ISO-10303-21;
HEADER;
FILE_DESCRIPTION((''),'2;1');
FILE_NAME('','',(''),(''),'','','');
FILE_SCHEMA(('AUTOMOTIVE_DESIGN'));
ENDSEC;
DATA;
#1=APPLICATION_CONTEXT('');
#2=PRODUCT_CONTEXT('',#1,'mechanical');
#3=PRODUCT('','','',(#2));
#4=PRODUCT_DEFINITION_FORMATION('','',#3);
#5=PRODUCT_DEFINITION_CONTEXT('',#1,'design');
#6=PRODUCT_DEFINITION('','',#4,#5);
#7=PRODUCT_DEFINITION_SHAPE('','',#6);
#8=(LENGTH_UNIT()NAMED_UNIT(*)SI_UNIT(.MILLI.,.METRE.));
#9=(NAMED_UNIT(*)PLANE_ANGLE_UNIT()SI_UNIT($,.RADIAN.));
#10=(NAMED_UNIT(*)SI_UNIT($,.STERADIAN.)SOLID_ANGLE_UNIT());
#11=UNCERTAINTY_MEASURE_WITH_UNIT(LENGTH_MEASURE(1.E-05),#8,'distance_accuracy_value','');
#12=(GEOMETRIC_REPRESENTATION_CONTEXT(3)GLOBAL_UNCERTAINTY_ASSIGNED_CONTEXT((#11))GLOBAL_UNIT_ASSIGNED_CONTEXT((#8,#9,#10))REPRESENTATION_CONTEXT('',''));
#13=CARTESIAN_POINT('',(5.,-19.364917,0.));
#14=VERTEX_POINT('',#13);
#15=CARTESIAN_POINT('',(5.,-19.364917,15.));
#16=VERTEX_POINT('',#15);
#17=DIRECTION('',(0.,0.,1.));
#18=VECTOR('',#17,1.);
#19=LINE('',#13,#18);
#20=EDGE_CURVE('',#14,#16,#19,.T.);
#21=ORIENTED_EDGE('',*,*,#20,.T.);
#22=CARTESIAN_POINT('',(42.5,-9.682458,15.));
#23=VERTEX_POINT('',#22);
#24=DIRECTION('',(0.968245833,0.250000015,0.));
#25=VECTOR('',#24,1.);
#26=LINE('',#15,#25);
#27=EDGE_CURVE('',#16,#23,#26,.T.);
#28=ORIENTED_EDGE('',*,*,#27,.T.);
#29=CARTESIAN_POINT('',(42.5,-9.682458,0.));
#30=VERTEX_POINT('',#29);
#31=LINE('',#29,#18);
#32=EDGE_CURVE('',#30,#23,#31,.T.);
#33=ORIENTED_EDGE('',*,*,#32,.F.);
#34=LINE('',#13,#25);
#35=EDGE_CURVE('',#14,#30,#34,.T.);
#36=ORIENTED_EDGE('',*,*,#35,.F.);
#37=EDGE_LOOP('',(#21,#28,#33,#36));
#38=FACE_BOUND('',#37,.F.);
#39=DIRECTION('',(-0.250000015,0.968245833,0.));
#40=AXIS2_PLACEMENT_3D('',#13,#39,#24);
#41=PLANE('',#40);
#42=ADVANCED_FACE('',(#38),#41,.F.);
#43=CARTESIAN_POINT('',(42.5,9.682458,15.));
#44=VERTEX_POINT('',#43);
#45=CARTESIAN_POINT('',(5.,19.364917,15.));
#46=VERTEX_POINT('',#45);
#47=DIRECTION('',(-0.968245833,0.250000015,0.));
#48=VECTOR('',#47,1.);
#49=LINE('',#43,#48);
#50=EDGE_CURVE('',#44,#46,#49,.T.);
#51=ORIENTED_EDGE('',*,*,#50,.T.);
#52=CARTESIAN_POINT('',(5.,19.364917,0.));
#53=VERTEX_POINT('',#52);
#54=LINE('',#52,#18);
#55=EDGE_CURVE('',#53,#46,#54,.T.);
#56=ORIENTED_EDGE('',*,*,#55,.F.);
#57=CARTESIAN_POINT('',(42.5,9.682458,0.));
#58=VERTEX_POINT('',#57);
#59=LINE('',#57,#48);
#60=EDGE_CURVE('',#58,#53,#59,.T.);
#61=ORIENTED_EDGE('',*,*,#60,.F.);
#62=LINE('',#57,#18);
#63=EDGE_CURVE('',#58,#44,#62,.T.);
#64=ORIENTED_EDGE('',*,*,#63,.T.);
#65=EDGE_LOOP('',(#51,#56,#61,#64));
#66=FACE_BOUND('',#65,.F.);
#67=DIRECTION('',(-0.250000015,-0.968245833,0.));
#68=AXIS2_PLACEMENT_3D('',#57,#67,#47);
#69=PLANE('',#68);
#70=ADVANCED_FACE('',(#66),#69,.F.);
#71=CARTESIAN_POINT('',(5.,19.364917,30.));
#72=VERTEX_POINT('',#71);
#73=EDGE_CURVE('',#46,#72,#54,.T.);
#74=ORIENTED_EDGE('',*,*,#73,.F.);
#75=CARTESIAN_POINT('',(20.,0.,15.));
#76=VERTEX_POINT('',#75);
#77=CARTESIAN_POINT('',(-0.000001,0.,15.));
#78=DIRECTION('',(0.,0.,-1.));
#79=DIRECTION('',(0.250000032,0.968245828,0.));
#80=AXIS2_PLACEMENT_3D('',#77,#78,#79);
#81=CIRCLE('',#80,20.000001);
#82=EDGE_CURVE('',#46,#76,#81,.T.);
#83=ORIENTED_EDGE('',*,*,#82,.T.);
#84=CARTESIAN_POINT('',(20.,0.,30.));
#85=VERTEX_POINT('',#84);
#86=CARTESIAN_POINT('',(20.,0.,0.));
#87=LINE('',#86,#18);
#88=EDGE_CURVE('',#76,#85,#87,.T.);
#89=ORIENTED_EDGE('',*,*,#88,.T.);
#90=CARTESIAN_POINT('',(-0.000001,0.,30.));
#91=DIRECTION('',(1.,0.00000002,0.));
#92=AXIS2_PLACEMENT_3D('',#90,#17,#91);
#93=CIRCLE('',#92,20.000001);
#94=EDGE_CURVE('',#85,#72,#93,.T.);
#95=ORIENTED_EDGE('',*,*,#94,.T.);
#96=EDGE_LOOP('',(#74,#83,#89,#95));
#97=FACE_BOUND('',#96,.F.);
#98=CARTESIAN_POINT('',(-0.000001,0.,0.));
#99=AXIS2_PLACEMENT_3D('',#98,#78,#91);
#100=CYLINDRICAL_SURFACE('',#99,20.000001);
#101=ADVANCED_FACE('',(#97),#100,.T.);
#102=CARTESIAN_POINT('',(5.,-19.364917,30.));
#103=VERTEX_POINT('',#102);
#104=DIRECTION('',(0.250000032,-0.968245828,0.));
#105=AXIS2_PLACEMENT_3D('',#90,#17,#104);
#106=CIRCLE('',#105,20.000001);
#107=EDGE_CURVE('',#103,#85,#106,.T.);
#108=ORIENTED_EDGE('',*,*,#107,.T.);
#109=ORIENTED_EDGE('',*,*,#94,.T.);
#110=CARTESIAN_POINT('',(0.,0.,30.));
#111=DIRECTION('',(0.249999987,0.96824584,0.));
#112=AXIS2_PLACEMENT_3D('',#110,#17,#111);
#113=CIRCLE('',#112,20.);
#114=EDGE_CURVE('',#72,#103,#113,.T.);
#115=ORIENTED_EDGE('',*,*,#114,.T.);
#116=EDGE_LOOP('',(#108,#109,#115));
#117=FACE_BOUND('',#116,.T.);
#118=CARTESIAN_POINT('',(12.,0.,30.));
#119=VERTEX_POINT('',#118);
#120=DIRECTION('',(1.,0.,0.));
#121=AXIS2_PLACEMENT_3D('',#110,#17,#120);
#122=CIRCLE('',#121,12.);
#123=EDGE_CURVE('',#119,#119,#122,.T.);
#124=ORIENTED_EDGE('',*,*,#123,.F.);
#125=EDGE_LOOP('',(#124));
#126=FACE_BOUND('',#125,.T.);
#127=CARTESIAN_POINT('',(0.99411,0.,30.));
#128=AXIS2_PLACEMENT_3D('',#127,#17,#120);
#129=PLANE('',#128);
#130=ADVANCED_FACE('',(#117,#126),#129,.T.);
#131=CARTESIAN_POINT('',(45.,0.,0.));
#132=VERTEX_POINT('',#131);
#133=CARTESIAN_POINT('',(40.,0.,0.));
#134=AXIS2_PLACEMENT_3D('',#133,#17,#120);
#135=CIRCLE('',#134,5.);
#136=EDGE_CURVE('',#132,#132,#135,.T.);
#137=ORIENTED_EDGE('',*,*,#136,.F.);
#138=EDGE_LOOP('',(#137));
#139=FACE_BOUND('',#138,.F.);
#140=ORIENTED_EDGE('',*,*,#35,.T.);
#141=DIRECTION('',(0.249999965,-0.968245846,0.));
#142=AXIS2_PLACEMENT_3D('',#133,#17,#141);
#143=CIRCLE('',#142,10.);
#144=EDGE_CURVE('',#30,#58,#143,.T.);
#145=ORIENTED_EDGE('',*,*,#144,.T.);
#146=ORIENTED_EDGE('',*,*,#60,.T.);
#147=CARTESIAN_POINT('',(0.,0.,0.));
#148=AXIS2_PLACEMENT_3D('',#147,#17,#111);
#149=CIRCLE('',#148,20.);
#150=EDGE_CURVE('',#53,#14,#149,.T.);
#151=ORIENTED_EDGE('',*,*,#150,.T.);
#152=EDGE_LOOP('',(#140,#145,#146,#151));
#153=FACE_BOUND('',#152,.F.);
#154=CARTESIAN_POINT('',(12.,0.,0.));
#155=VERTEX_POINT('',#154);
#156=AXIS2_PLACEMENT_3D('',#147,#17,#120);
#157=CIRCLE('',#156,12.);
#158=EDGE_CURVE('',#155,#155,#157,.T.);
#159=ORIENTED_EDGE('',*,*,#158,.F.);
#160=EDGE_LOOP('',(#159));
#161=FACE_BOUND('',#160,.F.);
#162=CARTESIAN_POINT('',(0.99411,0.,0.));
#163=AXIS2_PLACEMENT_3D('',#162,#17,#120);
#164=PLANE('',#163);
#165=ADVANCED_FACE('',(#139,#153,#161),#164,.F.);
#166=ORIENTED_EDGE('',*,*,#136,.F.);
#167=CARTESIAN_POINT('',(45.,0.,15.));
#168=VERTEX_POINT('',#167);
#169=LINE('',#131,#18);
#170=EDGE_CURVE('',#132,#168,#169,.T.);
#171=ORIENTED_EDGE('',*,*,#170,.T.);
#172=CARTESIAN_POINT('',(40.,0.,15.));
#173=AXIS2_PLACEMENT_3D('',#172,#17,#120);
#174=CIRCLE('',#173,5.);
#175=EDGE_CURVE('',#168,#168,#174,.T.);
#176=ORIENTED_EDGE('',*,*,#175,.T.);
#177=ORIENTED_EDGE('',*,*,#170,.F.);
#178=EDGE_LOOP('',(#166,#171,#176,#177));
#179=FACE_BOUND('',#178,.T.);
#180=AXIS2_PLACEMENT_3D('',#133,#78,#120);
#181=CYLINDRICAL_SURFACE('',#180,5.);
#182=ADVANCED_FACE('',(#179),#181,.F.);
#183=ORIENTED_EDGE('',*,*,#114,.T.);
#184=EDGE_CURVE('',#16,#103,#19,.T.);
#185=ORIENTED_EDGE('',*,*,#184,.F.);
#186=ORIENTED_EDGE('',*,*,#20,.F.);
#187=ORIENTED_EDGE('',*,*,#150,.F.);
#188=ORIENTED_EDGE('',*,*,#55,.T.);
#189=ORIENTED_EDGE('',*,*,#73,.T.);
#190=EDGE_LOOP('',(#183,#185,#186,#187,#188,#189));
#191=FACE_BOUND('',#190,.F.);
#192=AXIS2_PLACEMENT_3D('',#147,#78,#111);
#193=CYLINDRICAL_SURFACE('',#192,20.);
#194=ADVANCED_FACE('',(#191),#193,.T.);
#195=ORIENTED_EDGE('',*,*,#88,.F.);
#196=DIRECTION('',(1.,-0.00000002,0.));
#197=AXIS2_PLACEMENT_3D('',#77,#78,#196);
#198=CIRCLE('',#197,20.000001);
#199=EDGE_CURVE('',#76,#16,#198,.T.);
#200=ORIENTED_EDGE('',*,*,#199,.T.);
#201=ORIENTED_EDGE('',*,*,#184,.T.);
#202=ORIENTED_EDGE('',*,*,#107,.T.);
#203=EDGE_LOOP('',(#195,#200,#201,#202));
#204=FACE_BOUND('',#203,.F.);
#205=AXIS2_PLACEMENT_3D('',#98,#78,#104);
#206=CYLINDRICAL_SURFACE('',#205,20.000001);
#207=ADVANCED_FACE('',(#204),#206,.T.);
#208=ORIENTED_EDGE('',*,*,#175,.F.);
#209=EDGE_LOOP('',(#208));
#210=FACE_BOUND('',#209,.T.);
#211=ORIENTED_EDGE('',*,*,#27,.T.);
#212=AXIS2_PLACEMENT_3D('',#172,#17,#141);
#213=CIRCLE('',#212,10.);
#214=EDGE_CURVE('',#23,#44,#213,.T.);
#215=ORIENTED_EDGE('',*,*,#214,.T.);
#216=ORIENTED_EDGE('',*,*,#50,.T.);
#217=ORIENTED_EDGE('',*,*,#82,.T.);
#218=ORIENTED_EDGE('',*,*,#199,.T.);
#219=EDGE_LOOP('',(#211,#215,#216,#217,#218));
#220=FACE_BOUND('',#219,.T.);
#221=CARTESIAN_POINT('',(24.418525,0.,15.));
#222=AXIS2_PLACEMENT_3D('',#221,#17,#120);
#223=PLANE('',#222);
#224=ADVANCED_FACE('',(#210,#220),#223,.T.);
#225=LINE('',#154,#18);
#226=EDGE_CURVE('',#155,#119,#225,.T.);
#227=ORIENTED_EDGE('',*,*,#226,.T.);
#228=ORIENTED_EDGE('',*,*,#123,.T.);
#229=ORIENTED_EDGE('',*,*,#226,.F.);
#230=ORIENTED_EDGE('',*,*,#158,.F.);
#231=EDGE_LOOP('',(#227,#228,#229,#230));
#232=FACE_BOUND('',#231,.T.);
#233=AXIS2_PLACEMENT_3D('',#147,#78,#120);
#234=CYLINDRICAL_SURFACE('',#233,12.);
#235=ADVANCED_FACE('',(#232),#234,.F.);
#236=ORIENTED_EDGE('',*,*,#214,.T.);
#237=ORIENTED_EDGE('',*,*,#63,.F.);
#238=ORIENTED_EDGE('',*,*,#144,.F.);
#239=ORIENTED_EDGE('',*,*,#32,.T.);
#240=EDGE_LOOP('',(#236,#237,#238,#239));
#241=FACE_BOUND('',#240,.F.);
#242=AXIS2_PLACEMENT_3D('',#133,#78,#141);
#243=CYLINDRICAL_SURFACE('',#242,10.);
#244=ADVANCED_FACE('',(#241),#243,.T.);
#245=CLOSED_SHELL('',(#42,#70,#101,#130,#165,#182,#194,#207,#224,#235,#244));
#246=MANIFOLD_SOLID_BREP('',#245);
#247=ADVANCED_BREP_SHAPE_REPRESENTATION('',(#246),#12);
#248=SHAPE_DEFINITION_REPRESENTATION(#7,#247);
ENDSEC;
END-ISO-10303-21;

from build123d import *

# Parameters (mm, degrees)
F0_R     = 5
F1_DEPTH = 15
F0_R_2   = 12
F2_DEPTH = 30


with BuildPart() as f1:
    # F0 (on Top) → F1 (new body)
    with BuildSketch(Plane.XY):
        with BuildLine():
            ThreePointArc((5, 19.364917), (15.811388, 12.247449), (20, 0))
            ThreePointArc((20, 0), (15.811388, -12.247449), (5, -19.364917))
            Line((5, -19.364917), (42.5, -9.682458))
            ThreePointArc((42.5, -9.682458), (50, 0), (42.5, 9.682458))
            Line((42.5, 9.682458), (5, 19.364917))
        make_face()
        with Locations((40, 0)):
            Circle(F0_R, mode=Mode.SUBTRACT)
    extrude(amount=F1_DEPTH)

    # F0 (on Top) → F2 (join)
    with BuildSketch(Plane.XY):
        with BuildLine():
            ThreePointArc((5, -19.364917), (15.811388, -12.247449), (20, 0))
            ThreePointArc((20, 0), (15.811388, 12.247449), (5, 19.364917))
            ThreePointArc((5, 19.364917), (-20, 0), (5, -19.364917))
        make_face()
        Circle(F0_R_2, mode=Mode.SUBTRACT)
    extrude(amount=F2_DEPTH)


solid = f1.part
